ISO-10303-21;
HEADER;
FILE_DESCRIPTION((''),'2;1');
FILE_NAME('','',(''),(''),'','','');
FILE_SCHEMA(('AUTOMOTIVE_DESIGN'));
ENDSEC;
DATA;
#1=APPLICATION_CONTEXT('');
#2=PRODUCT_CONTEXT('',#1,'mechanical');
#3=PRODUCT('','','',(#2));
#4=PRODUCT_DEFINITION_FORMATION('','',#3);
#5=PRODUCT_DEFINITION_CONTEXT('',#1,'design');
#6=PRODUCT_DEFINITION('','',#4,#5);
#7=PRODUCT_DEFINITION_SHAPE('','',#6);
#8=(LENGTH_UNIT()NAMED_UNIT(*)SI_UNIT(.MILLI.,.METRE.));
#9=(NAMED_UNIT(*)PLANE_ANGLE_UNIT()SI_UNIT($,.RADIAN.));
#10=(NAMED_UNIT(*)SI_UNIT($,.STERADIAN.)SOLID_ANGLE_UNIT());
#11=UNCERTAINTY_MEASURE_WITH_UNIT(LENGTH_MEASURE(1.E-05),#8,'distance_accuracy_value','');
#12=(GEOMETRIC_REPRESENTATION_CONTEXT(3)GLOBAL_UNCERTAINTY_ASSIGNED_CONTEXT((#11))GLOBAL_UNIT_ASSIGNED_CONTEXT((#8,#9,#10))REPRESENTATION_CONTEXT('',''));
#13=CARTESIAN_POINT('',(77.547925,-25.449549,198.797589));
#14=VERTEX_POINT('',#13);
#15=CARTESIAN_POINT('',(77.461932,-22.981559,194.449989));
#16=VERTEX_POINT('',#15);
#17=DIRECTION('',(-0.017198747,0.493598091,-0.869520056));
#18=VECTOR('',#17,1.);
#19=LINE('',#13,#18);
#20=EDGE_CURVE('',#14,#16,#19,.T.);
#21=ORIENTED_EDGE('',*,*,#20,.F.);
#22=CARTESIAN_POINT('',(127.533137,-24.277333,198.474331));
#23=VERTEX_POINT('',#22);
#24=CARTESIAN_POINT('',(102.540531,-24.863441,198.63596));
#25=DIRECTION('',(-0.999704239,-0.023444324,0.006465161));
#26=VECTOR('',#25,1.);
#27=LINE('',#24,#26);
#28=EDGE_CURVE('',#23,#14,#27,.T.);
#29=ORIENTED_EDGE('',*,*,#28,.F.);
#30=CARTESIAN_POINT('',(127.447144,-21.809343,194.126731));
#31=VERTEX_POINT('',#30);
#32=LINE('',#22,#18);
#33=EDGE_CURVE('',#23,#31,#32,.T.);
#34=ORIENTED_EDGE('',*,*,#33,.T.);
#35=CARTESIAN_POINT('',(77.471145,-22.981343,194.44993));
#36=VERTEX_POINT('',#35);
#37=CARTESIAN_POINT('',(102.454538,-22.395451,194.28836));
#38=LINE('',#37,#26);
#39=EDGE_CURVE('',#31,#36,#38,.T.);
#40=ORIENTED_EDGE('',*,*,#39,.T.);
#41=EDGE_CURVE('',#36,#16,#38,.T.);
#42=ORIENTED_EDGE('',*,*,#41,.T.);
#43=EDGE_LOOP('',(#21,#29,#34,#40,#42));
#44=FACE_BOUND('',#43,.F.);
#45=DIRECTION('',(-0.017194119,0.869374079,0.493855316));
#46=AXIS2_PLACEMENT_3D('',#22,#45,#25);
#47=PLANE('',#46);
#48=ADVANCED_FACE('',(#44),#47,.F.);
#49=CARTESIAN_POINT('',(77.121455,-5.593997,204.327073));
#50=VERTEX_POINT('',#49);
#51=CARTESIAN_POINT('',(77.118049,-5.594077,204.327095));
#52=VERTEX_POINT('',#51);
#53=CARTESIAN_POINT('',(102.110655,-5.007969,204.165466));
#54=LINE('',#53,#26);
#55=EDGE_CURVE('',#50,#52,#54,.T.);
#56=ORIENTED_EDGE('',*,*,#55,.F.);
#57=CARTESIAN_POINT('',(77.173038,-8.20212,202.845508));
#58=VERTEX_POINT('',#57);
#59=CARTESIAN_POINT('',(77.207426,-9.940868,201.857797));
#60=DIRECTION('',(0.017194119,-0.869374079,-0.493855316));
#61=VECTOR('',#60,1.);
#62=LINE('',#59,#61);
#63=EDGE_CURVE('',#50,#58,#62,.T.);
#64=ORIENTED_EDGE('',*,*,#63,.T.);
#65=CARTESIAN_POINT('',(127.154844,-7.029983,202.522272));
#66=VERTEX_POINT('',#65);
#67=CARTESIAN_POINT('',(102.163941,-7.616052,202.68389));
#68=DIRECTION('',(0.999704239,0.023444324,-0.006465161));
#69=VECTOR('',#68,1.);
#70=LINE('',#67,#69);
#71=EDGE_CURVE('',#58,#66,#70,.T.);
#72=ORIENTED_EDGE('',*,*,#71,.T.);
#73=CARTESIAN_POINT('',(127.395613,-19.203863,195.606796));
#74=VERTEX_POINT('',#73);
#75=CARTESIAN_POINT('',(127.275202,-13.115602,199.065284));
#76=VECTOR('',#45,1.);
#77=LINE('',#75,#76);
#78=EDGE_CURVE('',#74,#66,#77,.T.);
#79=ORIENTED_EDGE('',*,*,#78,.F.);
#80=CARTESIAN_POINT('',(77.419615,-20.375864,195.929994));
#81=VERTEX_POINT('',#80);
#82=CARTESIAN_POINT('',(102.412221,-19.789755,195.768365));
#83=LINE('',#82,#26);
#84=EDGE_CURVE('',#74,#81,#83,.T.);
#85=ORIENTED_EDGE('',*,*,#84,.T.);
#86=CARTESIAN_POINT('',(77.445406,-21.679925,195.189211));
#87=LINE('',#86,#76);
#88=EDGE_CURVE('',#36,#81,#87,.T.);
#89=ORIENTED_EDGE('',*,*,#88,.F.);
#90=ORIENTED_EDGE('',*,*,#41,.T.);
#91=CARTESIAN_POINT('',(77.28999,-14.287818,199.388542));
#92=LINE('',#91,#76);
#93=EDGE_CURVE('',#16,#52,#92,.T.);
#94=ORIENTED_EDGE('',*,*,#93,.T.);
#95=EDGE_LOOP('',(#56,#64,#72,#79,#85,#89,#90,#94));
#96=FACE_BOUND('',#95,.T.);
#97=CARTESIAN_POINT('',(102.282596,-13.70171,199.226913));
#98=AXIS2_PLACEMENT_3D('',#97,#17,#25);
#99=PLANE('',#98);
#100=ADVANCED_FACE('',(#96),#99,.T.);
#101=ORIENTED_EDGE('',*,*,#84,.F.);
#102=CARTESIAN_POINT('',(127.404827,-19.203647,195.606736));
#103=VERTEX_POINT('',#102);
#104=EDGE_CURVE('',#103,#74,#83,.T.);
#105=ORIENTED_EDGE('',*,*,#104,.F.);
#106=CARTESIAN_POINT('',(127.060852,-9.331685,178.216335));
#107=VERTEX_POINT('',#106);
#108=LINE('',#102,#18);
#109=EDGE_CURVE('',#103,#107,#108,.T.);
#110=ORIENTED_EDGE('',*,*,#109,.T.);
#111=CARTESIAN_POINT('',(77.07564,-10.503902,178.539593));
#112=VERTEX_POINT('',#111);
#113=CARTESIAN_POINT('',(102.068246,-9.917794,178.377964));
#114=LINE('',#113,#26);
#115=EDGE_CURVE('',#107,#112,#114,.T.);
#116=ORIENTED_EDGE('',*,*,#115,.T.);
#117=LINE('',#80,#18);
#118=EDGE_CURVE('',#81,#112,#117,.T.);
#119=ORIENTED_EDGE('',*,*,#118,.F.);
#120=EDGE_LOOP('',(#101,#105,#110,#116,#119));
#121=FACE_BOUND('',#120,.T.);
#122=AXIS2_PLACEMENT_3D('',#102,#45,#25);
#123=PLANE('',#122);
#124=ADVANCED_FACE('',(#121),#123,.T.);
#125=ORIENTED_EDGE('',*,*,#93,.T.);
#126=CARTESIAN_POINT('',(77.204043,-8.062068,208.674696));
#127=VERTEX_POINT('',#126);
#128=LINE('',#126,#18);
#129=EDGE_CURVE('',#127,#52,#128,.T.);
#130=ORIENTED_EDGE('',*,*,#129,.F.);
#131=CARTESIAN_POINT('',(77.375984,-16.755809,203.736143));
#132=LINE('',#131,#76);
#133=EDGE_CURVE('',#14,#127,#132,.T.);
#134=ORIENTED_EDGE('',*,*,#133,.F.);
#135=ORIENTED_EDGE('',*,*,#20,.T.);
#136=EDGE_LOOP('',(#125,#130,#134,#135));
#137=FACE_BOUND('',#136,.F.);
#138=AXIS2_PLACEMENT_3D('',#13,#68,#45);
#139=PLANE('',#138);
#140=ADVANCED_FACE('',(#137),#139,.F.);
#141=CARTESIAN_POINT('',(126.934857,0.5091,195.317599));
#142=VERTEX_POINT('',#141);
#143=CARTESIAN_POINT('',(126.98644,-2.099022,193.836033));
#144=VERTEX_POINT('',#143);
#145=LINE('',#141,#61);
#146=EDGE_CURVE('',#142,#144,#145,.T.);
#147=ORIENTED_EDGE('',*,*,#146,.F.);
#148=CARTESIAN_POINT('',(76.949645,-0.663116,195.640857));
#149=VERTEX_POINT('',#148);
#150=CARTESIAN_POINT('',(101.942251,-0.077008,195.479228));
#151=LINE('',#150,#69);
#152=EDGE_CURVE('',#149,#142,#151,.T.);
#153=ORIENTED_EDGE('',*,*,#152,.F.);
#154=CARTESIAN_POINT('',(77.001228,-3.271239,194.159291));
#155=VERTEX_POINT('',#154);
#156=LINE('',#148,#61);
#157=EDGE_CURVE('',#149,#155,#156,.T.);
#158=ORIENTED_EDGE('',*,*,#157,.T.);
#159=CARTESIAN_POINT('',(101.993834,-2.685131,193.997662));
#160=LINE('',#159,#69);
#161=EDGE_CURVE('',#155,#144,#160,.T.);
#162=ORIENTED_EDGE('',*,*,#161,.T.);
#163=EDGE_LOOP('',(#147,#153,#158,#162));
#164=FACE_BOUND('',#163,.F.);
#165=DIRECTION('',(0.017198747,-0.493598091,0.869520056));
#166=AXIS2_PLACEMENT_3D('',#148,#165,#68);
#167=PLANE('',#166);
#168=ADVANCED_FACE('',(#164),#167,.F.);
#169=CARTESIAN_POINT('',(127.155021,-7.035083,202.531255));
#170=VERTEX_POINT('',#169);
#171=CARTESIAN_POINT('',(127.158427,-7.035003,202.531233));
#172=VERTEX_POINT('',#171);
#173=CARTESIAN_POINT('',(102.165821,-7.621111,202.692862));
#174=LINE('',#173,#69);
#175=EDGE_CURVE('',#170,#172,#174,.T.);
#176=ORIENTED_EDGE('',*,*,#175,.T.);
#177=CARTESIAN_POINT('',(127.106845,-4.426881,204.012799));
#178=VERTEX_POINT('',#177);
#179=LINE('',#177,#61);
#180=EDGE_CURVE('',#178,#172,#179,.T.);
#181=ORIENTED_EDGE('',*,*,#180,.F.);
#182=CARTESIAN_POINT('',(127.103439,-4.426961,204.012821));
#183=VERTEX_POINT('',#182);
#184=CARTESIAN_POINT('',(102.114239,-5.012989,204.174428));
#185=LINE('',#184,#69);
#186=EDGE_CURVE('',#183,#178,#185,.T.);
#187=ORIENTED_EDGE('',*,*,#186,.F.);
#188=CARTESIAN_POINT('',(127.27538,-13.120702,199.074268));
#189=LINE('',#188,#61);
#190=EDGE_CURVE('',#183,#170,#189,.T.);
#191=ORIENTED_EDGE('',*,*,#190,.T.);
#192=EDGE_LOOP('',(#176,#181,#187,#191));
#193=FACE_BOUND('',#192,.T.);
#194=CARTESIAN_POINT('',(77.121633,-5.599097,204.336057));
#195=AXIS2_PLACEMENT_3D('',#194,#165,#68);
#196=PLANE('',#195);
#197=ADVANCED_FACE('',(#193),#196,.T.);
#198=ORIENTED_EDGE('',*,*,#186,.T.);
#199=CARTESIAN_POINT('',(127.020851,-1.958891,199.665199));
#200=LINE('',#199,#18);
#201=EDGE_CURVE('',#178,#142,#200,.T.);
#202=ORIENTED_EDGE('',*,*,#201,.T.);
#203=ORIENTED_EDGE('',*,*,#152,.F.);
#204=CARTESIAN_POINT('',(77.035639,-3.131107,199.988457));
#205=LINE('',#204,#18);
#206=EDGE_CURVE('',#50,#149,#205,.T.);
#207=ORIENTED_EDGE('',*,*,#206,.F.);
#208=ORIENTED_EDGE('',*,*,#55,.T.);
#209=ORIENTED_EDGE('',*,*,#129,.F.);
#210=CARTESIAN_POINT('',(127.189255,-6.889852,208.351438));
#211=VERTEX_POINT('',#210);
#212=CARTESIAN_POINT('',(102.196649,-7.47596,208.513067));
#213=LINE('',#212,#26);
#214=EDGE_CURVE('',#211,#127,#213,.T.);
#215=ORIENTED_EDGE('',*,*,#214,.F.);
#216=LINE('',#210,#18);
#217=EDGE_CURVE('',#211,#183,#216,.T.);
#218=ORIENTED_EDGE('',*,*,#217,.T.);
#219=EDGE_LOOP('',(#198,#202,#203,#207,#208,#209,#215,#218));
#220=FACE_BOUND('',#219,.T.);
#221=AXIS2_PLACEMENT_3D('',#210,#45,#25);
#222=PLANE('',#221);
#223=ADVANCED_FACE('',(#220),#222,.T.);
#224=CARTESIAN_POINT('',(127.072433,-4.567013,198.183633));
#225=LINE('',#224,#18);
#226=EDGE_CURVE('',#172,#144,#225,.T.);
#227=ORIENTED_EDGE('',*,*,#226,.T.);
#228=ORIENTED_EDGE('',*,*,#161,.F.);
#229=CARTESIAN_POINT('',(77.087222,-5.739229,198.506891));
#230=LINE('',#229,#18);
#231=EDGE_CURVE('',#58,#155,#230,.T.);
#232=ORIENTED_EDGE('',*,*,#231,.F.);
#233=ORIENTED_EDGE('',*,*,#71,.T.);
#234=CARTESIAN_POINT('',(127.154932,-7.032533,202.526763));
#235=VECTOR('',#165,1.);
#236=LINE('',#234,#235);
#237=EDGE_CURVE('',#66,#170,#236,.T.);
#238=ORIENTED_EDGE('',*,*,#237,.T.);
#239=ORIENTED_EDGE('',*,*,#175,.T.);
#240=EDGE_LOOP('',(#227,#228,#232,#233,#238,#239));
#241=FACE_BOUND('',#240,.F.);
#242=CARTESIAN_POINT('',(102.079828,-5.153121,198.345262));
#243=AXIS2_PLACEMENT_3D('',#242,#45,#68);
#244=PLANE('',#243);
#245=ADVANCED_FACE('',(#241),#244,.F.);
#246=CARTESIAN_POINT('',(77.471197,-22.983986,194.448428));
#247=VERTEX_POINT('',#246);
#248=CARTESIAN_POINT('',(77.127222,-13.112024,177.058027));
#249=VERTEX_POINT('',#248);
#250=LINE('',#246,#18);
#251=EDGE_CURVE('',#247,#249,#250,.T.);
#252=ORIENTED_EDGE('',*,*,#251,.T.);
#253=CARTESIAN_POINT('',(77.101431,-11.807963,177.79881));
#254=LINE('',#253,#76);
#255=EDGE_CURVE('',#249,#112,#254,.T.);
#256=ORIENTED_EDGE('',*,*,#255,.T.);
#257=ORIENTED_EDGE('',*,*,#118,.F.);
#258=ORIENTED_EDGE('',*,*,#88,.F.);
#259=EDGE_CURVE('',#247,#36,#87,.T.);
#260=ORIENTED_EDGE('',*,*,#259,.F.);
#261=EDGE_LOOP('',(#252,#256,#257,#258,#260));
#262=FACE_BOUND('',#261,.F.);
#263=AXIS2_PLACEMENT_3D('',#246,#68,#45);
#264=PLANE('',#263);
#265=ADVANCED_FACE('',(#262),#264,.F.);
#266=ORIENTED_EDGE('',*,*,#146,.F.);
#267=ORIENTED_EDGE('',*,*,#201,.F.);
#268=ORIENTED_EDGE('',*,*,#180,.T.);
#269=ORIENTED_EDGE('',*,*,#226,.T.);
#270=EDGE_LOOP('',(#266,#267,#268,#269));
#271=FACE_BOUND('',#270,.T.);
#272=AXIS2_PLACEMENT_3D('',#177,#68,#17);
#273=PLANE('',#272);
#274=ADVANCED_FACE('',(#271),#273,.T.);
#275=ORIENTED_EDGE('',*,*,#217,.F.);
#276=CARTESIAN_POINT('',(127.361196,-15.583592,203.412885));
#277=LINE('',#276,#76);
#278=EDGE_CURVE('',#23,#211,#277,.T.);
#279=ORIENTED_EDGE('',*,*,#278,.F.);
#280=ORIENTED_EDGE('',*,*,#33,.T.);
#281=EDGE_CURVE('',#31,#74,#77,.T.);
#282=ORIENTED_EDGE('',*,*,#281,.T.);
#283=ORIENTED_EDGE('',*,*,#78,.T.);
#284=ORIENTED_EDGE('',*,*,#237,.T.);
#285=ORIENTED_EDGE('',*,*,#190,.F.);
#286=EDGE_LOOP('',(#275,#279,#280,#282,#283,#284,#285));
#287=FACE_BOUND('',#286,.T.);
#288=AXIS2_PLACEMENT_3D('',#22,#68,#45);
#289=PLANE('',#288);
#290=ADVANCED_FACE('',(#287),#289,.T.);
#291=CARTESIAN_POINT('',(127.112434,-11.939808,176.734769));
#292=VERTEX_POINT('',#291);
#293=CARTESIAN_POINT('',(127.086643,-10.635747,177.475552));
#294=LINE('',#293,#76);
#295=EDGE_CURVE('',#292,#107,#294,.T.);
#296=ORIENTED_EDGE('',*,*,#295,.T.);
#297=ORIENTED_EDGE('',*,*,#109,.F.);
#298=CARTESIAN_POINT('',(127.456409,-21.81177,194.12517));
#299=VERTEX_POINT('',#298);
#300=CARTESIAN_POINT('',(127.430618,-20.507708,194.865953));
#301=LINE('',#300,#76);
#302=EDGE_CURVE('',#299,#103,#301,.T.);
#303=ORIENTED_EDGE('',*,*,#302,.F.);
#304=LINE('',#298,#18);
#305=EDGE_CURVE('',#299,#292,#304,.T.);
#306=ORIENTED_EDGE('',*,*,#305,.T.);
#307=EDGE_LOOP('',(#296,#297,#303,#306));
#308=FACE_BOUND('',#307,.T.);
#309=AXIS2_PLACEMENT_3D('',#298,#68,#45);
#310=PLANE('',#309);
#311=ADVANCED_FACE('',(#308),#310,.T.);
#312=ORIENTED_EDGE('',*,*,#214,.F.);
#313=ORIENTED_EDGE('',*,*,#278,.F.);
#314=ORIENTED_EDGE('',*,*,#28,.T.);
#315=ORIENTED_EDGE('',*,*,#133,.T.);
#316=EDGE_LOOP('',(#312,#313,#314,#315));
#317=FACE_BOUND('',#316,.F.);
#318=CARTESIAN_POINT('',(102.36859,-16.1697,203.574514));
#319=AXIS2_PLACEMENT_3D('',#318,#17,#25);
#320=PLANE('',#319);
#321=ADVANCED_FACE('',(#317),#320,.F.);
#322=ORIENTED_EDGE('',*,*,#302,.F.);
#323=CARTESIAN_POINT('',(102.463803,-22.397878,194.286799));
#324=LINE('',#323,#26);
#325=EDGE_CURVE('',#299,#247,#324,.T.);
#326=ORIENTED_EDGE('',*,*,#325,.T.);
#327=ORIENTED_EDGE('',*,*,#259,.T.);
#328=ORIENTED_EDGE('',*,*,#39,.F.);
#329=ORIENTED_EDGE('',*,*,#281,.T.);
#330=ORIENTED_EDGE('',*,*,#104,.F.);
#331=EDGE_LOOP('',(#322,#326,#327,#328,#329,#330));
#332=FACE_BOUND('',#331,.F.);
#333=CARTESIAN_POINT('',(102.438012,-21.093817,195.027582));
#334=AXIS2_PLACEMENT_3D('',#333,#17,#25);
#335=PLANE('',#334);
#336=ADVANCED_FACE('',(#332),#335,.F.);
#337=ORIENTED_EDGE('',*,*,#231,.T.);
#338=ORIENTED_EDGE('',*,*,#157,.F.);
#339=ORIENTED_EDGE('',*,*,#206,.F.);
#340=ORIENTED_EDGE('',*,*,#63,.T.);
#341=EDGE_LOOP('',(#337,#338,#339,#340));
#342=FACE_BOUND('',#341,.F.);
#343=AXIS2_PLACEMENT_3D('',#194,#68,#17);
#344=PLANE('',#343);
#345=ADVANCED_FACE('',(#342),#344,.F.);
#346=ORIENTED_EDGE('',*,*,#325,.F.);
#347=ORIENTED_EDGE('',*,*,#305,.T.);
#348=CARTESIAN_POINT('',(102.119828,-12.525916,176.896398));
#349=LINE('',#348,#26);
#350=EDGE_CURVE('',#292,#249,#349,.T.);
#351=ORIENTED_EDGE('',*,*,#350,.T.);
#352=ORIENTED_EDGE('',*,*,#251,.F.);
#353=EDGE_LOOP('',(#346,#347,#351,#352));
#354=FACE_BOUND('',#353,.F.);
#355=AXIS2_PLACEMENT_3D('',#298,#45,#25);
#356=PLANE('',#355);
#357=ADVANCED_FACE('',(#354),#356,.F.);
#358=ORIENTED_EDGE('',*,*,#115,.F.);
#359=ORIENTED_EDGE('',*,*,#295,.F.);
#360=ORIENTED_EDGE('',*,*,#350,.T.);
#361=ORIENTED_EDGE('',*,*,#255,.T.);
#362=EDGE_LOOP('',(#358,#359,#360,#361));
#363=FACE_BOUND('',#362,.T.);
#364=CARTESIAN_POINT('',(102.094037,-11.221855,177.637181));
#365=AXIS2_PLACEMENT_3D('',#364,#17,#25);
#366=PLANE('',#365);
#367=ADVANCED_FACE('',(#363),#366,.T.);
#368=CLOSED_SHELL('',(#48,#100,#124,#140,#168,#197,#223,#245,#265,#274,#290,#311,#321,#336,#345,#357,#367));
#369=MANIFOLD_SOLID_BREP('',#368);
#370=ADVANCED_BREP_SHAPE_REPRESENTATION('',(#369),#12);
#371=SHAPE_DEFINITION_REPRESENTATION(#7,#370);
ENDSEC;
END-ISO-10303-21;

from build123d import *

# Parameters (mm, degrees)
SKETCH054_W             = 50
SKETCH054_H             = 20
PAD053_DEPTH            = 5
SKETCH055_W             = 50
SKETCH055_H             = 3
PAD054_DEPTH            = 20
SKETCH056_W             = 50
SKETCH056_H             = 10
PAD055_DEPTH            = 3
BODY042_ROLL_ANGLE      = 150.405023
BODY042_PITCH_ANGLE     = -0.370429
BODY042_PLACEMENT_ANGLE = -178.656588


with BuildPart() as part:
    # Sketch054 → Pad053 (new body)
    with BuildSketch(Plane.XY):
        with Locations((184.845276, -123.914059)):
            Rectangle(SKETCH054_W, SKETCH054_H)
    extrude(amount=PAD053_DEPTH)

    # Sketch055 (on Face6 of Pad053) → Pad054 (join)
    with BuildSketch(Plane.XY.offset(5)):
        with Locations((184.83606, -132.417099)):
            Rectangle(SKETCH055_W, SKETCH055_H)
    extrude(amount=PAD054_DEPTH)

    # Sketch056 (on Face7 of Pad054) → Pad055 (join)
    with BuildSketch(Plane(origin=(0, -113.914059, 0), x_dir=(-1, 0, 0), z_dir=(0, 1, 0))):
        with Locations((-184.841869, 9.989668)):
            Rectangle(SKETCH056_W, SKETCH056_H)
    extrude(amount=-PAD055_DEPTH)


with BuildPart() as part_1:
    # Body042 roll: moved
    add(part.part.rotate(Axis((0, 0, 0), (1, 0, 0)), BODY042_ROLL_ANGLE))


with BuildPart() as part_2:
    # Body042 pitch: moved
    add(part_1.part.rotate(Axis((0, 0, 0), (0, 1, 0)), BODY042_PITCH_ANGLE))


with BuildPart() as part_3:
    # Body042 placement: moved
    add(part_2.part.moved(Location((285.028603, 95.891543, 263.575076))).rotate(Axis((285.028603, 95.891543, 263.575076), (0, 0, 1)), BODY042_PLACEMENT_ANGLE))


solid = part_3.part
